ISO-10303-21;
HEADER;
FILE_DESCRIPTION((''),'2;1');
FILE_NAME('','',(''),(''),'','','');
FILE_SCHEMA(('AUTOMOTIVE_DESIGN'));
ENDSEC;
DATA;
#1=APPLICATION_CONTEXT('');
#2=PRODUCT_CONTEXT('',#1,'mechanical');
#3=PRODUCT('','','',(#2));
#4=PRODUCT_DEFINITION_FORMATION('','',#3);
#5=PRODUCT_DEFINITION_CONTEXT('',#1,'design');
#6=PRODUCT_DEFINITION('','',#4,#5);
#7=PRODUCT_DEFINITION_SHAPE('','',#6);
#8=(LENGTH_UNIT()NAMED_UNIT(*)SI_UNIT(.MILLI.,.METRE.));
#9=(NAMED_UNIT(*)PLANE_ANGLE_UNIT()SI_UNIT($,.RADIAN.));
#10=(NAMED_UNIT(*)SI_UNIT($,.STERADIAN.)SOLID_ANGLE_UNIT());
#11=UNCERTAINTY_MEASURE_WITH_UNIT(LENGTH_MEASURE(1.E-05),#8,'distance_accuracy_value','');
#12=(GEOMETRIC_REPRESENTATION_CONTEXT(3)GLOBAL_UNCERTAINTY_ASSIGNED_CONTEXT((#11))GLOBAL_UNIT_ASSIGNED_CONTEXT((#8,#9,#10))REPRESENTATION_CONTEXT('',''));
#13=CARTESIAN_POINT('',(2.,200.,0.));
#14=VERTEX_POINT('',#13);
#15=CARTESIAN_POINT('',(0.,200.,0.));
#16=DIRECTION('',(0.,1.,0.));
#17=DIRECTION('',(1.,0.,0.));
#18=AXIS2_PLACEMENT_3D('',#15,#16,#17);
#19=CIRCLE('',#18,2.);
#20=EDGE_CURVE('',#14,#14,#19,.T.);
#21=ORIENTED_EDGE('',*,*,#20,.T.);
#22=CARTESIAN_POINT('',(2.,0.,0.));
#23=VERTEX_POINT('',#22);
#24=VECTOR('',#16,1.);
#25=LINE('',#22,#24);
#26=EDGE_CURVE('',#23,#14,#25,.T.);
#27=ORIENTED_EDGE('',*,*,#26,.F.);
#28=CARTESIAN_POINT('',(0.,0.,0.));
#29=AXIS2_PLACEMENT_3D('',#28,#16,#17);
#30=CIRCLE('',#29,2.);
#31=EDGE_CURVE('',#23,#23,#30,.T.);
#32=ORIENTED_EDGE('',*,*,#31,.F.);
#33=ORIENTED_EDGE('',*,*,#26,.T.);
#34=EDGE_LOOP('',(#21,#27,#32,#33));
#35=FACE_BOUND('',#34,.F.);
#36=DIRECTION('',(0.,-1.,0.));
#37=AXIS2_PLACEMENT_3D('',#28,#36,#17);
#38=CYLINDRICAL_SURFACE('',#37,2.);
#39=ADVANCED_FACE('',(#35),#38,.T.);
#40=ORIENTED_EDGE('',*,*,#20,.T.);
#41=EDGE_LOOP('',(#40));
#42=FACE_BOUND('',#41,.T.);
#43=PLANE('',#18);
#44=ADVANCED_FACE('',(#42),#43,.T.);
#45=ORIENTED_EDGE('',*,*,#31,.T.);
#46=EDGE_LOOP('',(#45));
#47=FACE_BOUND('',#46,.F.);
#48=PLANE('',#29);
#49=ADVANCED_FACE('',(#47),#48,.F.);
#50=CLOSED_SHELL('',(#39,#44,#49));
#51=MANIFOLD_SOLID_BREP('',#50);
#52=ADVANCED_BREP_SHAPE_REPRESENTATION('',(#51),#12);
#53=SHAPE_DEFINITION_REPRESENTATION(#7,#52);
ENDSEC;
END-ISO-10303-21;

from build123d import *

# Parameters (mm, degrees)
SKETCH1_R           = 2
BOSS_EXTRUDE1_DEPTH = 200


with BuildPart() as part:
    # Sketch1 → Boss-Extrude1 (new body)
    with BuildSketch(Plane(origin=(0, 0, 0), x_dir=(1, 0, 0), z_dir=(0, 1, 0))):
        Circle(SKETCH1_R)
    extrude(amount=BOSS_EXTRUDE1_DEPTH)


solid = part.part
